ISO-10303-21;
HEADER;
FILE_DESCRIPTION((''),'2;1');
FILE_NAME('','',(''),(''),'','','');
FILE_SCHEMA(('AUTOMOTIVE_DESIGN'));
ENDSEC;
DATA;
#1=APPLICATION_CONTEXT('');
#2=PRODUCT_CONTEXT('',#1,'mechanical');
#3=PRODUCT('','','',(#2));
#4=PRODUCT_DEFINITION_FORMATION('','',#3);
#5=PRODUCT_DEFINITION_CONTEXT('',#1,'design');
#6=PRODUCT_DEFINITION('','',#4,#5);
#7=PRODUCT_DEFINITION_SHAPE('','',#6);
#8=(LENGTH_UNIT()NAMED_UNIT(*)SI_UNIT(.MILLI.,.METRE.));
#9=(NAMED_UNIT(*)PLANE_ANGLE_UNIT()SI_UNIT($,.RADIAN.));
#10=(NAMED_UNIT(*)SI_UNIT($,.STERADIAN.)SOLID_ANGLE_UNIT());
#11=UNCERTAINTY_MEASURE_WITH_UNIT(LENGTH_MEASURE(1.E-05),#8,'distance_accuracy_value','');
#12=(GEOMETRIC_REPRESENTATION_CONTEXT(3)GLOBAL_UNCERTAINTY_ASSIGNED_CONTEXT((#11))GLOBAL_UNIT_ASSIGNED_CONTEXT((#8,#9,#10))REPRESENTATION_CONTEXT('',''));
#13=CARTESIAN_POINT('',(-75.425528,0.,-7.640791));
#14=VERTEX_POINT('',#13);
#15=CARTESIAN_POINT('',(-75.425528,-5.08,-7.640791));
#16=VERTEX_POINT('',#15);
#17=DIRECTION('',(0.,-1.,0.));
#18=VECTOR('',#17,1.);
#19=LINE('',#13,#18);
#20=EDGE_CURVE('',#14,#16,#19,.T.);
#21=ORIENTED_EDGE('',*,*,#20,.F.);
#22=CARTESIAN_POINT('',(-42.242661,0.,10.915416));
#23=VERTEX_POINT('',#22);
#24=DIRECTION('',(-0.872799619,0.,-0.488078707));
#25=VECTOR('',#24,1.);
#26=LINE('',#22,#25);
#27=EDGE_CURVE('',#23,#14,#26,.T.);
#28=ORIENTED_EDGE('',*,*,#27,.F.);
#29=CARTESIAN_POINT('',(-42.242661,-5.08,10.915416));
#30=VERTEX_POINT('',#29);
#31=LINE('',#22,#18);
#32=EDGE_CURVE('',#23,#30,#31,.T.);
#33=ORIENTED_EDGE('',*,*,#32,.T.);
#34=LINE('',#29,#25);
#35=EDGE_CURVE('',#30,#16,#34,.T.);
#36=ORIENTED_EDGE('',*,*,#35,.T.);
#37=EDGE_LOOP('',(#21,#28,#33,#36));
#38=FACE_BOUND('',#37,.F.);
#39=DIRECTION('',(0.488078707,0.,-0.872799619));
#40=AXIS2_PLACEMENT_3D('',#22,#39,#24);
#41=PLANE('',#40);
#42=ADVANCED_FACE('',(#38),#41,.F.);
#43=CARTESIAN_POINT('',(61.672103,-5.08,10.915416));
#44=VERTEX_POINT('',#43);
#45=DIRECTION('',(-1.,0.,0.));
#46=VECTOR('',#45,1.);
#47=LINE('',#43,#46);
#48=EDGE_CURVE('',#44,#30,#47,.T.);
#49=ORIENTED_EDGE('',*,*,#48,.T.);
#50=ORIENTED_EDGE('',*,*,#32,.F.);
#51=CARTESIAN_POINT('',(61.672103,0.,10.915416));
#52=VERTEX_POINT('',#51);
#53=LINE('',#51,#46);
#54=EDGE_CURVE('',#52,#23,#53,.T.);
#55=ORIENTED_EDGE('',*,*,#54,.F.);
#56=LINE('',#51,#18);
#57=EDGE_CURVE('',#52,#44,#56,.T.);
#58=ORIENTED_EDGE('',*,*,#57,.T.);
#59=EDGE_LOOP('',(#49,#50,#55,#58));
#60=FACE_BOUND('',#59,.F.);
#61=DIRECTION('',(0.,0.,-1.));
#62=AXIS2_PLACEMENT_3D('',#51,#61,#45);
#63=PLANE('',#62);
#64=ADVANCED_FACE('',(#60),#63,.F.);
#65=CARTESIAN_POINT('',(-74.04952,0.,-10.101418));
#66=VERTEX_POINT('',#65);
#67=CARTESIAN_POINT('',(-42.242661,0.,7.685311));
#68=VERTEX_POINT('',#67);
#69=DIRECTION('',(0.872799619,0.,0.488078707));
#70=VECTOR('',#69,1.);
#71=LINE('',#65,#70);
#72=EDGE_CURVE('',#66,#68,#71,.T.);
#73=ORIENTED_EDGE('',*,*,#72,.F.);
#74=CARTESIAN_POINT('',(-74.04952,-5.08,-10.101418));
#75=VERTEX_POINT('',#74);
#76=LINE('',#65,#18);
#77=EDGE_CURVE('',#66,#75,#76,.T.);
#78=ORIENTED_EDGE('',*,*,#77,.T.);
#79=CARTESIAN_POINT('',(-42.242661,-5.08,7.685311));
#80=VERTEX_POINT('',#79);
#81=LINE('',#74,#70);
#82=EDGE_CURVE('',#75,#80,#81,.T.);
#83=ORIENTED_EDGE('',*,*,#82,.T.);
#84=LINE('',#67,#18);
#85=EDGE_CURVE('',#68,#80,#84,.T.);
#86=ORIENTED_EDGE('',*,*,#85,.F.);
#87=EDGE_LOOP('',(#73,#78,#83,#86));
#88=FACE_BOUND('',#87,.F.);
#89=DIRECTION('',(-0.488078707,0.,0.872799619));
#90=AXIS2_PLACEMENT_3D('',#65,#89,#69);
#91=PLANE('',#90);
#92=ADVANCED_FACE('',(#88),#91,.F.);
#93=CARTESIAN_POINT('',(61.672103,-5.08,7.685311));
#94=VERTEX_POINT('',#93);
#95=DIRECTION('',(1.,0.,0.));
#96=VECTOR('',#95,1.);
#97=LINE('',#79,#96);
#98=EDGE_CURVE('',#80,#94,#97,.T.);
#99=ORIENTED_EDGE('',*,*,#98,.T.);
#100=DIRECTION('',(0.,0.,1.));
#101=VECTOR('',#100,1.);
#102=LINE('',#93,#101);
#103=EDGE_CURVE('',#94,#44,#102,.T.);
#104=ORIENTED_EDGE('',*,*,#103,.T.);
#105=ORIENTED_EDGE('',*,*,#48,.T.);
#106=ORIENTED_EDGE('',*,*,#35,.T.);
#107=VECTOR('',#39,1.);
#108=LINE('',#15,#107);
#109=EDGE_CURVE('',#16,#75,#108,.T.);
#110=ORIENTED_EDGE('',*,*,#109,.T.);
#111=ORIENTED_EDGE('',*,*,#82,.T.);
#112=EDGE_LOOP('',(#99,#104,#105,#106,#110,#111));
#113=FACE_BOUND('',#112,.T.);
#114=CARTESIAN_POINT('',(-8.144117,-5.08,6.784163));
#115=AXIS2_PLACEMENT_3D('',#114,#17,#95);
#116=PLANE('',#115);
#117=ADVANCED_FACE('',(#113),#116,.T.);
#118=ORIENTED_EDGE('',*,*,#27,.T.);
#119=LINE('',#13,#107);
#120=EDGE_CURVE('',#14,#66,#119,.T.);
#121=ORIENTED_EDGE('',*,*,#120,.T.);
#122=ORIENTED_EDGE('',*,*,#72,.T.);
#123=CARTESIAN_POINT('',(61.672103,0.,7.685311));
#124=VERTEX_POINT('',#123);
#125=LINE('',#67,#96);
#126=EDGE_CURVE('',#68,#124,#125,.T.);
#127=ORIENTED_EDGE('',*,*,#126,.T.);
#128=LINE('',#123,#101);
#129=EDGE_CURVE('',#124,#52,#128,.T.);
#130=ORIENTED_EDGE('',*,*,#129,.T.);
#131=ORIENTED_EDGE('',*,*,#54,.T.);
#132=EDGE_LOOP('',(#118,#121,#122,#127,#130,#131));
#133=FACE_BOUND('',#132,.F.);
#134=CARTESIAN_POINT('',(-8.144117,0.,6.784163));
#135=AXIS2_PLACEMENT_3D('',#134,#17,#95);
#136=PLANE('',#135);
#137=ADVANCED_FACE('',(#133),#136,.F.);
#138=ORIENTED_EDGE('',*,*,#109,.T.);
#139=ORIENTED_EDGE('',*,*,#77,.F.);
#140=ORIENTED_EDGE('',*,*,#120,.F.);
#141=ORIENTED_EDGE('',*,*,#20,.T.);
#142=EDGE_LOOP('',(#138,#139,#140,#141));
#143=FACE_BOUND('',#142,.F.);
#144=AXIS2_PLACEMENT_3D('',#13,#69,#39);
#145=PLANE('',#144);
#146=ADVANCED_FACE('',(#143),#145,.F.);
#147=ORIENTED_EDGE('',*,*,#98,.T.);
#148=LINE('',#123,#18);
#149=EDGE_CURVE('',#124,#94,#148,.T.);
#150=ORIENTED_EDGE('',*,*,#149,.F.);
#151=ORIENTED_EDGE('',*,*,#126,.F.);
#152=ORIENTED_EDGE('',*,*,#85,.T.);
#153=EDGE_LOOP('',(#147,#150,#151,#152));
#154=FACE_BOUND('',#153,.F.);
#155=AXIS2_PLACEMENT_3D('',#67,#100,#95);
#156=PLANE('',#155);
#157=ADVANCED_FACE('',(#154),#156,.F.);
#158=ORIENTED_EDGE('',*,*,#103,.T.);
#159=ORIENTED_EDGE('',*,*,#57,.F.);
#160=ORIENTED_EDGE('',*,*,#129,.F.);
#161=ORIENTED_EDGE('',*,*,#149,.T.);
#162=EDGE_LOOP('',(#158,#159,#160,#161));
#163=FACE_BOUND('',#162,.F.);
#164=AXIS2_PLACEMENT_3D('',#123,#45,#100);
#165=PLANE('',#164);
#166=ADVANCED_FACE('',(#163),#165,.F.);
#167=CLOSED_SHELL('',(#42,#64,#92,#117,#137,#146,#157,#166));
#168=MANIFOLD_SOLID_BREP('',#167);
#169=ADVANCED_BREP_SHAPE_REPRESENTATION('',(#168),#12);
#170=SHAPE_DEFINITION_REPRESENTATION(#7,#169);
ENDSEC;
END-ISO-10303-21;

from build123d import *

# Parameters (mm, degrees)
F1_DEPTH = 5.08
F4_DEPTH = 5.08
F7_DEPTH = 5.08


with BuildPart() as f1:
    # F0 (on Front) → F1 (new body)
    with BuildSketch(Plane.XZ):
        Polygon((49.2544993758, 7.0634965241), (49.2544956505, 10.4342158884), (-41.1312952638, 10.4342158884), (-69.9499547482, 27.4472031742), (-71.8305518383, 24.2616199337), (-42.6982863529, 7.0634965241), align=None)
    extrude(amount=F1_DEPTH)


with BuildPart() as f4:
    # F3 (on Front) → F4 (new body)
    with BuildSketch(Plane.XZ):
        Polygon((-31.1960466206, 8.5284151137), (64.4119828939, 8.5284151137), (63.5142549872, 13.9479198755), (-31.1960466206, 13.9479198755), (-66.7409883864, -2.9896041492), (-64.6364092827, -7.406255696), align=None)
    extrude(amount=F4_DEPTH)


with BuildPart() as f7:
    # F6 (on Front) → F7 (new body)
    with BuildSketch(Plane.XZ):
        Polygon((61.6721026599, 7.6853110745), (61.6721026599, 10.9154162928), (-42.2426611185, 10.9154162928), (-75.4255279899, -7.6407911256), (-74.0495196081, -10.1014180153), (-42.2426611185, 7.6853110745), align=None)
    extrude(amount=F7_DEPTH)


solid = f7.part
